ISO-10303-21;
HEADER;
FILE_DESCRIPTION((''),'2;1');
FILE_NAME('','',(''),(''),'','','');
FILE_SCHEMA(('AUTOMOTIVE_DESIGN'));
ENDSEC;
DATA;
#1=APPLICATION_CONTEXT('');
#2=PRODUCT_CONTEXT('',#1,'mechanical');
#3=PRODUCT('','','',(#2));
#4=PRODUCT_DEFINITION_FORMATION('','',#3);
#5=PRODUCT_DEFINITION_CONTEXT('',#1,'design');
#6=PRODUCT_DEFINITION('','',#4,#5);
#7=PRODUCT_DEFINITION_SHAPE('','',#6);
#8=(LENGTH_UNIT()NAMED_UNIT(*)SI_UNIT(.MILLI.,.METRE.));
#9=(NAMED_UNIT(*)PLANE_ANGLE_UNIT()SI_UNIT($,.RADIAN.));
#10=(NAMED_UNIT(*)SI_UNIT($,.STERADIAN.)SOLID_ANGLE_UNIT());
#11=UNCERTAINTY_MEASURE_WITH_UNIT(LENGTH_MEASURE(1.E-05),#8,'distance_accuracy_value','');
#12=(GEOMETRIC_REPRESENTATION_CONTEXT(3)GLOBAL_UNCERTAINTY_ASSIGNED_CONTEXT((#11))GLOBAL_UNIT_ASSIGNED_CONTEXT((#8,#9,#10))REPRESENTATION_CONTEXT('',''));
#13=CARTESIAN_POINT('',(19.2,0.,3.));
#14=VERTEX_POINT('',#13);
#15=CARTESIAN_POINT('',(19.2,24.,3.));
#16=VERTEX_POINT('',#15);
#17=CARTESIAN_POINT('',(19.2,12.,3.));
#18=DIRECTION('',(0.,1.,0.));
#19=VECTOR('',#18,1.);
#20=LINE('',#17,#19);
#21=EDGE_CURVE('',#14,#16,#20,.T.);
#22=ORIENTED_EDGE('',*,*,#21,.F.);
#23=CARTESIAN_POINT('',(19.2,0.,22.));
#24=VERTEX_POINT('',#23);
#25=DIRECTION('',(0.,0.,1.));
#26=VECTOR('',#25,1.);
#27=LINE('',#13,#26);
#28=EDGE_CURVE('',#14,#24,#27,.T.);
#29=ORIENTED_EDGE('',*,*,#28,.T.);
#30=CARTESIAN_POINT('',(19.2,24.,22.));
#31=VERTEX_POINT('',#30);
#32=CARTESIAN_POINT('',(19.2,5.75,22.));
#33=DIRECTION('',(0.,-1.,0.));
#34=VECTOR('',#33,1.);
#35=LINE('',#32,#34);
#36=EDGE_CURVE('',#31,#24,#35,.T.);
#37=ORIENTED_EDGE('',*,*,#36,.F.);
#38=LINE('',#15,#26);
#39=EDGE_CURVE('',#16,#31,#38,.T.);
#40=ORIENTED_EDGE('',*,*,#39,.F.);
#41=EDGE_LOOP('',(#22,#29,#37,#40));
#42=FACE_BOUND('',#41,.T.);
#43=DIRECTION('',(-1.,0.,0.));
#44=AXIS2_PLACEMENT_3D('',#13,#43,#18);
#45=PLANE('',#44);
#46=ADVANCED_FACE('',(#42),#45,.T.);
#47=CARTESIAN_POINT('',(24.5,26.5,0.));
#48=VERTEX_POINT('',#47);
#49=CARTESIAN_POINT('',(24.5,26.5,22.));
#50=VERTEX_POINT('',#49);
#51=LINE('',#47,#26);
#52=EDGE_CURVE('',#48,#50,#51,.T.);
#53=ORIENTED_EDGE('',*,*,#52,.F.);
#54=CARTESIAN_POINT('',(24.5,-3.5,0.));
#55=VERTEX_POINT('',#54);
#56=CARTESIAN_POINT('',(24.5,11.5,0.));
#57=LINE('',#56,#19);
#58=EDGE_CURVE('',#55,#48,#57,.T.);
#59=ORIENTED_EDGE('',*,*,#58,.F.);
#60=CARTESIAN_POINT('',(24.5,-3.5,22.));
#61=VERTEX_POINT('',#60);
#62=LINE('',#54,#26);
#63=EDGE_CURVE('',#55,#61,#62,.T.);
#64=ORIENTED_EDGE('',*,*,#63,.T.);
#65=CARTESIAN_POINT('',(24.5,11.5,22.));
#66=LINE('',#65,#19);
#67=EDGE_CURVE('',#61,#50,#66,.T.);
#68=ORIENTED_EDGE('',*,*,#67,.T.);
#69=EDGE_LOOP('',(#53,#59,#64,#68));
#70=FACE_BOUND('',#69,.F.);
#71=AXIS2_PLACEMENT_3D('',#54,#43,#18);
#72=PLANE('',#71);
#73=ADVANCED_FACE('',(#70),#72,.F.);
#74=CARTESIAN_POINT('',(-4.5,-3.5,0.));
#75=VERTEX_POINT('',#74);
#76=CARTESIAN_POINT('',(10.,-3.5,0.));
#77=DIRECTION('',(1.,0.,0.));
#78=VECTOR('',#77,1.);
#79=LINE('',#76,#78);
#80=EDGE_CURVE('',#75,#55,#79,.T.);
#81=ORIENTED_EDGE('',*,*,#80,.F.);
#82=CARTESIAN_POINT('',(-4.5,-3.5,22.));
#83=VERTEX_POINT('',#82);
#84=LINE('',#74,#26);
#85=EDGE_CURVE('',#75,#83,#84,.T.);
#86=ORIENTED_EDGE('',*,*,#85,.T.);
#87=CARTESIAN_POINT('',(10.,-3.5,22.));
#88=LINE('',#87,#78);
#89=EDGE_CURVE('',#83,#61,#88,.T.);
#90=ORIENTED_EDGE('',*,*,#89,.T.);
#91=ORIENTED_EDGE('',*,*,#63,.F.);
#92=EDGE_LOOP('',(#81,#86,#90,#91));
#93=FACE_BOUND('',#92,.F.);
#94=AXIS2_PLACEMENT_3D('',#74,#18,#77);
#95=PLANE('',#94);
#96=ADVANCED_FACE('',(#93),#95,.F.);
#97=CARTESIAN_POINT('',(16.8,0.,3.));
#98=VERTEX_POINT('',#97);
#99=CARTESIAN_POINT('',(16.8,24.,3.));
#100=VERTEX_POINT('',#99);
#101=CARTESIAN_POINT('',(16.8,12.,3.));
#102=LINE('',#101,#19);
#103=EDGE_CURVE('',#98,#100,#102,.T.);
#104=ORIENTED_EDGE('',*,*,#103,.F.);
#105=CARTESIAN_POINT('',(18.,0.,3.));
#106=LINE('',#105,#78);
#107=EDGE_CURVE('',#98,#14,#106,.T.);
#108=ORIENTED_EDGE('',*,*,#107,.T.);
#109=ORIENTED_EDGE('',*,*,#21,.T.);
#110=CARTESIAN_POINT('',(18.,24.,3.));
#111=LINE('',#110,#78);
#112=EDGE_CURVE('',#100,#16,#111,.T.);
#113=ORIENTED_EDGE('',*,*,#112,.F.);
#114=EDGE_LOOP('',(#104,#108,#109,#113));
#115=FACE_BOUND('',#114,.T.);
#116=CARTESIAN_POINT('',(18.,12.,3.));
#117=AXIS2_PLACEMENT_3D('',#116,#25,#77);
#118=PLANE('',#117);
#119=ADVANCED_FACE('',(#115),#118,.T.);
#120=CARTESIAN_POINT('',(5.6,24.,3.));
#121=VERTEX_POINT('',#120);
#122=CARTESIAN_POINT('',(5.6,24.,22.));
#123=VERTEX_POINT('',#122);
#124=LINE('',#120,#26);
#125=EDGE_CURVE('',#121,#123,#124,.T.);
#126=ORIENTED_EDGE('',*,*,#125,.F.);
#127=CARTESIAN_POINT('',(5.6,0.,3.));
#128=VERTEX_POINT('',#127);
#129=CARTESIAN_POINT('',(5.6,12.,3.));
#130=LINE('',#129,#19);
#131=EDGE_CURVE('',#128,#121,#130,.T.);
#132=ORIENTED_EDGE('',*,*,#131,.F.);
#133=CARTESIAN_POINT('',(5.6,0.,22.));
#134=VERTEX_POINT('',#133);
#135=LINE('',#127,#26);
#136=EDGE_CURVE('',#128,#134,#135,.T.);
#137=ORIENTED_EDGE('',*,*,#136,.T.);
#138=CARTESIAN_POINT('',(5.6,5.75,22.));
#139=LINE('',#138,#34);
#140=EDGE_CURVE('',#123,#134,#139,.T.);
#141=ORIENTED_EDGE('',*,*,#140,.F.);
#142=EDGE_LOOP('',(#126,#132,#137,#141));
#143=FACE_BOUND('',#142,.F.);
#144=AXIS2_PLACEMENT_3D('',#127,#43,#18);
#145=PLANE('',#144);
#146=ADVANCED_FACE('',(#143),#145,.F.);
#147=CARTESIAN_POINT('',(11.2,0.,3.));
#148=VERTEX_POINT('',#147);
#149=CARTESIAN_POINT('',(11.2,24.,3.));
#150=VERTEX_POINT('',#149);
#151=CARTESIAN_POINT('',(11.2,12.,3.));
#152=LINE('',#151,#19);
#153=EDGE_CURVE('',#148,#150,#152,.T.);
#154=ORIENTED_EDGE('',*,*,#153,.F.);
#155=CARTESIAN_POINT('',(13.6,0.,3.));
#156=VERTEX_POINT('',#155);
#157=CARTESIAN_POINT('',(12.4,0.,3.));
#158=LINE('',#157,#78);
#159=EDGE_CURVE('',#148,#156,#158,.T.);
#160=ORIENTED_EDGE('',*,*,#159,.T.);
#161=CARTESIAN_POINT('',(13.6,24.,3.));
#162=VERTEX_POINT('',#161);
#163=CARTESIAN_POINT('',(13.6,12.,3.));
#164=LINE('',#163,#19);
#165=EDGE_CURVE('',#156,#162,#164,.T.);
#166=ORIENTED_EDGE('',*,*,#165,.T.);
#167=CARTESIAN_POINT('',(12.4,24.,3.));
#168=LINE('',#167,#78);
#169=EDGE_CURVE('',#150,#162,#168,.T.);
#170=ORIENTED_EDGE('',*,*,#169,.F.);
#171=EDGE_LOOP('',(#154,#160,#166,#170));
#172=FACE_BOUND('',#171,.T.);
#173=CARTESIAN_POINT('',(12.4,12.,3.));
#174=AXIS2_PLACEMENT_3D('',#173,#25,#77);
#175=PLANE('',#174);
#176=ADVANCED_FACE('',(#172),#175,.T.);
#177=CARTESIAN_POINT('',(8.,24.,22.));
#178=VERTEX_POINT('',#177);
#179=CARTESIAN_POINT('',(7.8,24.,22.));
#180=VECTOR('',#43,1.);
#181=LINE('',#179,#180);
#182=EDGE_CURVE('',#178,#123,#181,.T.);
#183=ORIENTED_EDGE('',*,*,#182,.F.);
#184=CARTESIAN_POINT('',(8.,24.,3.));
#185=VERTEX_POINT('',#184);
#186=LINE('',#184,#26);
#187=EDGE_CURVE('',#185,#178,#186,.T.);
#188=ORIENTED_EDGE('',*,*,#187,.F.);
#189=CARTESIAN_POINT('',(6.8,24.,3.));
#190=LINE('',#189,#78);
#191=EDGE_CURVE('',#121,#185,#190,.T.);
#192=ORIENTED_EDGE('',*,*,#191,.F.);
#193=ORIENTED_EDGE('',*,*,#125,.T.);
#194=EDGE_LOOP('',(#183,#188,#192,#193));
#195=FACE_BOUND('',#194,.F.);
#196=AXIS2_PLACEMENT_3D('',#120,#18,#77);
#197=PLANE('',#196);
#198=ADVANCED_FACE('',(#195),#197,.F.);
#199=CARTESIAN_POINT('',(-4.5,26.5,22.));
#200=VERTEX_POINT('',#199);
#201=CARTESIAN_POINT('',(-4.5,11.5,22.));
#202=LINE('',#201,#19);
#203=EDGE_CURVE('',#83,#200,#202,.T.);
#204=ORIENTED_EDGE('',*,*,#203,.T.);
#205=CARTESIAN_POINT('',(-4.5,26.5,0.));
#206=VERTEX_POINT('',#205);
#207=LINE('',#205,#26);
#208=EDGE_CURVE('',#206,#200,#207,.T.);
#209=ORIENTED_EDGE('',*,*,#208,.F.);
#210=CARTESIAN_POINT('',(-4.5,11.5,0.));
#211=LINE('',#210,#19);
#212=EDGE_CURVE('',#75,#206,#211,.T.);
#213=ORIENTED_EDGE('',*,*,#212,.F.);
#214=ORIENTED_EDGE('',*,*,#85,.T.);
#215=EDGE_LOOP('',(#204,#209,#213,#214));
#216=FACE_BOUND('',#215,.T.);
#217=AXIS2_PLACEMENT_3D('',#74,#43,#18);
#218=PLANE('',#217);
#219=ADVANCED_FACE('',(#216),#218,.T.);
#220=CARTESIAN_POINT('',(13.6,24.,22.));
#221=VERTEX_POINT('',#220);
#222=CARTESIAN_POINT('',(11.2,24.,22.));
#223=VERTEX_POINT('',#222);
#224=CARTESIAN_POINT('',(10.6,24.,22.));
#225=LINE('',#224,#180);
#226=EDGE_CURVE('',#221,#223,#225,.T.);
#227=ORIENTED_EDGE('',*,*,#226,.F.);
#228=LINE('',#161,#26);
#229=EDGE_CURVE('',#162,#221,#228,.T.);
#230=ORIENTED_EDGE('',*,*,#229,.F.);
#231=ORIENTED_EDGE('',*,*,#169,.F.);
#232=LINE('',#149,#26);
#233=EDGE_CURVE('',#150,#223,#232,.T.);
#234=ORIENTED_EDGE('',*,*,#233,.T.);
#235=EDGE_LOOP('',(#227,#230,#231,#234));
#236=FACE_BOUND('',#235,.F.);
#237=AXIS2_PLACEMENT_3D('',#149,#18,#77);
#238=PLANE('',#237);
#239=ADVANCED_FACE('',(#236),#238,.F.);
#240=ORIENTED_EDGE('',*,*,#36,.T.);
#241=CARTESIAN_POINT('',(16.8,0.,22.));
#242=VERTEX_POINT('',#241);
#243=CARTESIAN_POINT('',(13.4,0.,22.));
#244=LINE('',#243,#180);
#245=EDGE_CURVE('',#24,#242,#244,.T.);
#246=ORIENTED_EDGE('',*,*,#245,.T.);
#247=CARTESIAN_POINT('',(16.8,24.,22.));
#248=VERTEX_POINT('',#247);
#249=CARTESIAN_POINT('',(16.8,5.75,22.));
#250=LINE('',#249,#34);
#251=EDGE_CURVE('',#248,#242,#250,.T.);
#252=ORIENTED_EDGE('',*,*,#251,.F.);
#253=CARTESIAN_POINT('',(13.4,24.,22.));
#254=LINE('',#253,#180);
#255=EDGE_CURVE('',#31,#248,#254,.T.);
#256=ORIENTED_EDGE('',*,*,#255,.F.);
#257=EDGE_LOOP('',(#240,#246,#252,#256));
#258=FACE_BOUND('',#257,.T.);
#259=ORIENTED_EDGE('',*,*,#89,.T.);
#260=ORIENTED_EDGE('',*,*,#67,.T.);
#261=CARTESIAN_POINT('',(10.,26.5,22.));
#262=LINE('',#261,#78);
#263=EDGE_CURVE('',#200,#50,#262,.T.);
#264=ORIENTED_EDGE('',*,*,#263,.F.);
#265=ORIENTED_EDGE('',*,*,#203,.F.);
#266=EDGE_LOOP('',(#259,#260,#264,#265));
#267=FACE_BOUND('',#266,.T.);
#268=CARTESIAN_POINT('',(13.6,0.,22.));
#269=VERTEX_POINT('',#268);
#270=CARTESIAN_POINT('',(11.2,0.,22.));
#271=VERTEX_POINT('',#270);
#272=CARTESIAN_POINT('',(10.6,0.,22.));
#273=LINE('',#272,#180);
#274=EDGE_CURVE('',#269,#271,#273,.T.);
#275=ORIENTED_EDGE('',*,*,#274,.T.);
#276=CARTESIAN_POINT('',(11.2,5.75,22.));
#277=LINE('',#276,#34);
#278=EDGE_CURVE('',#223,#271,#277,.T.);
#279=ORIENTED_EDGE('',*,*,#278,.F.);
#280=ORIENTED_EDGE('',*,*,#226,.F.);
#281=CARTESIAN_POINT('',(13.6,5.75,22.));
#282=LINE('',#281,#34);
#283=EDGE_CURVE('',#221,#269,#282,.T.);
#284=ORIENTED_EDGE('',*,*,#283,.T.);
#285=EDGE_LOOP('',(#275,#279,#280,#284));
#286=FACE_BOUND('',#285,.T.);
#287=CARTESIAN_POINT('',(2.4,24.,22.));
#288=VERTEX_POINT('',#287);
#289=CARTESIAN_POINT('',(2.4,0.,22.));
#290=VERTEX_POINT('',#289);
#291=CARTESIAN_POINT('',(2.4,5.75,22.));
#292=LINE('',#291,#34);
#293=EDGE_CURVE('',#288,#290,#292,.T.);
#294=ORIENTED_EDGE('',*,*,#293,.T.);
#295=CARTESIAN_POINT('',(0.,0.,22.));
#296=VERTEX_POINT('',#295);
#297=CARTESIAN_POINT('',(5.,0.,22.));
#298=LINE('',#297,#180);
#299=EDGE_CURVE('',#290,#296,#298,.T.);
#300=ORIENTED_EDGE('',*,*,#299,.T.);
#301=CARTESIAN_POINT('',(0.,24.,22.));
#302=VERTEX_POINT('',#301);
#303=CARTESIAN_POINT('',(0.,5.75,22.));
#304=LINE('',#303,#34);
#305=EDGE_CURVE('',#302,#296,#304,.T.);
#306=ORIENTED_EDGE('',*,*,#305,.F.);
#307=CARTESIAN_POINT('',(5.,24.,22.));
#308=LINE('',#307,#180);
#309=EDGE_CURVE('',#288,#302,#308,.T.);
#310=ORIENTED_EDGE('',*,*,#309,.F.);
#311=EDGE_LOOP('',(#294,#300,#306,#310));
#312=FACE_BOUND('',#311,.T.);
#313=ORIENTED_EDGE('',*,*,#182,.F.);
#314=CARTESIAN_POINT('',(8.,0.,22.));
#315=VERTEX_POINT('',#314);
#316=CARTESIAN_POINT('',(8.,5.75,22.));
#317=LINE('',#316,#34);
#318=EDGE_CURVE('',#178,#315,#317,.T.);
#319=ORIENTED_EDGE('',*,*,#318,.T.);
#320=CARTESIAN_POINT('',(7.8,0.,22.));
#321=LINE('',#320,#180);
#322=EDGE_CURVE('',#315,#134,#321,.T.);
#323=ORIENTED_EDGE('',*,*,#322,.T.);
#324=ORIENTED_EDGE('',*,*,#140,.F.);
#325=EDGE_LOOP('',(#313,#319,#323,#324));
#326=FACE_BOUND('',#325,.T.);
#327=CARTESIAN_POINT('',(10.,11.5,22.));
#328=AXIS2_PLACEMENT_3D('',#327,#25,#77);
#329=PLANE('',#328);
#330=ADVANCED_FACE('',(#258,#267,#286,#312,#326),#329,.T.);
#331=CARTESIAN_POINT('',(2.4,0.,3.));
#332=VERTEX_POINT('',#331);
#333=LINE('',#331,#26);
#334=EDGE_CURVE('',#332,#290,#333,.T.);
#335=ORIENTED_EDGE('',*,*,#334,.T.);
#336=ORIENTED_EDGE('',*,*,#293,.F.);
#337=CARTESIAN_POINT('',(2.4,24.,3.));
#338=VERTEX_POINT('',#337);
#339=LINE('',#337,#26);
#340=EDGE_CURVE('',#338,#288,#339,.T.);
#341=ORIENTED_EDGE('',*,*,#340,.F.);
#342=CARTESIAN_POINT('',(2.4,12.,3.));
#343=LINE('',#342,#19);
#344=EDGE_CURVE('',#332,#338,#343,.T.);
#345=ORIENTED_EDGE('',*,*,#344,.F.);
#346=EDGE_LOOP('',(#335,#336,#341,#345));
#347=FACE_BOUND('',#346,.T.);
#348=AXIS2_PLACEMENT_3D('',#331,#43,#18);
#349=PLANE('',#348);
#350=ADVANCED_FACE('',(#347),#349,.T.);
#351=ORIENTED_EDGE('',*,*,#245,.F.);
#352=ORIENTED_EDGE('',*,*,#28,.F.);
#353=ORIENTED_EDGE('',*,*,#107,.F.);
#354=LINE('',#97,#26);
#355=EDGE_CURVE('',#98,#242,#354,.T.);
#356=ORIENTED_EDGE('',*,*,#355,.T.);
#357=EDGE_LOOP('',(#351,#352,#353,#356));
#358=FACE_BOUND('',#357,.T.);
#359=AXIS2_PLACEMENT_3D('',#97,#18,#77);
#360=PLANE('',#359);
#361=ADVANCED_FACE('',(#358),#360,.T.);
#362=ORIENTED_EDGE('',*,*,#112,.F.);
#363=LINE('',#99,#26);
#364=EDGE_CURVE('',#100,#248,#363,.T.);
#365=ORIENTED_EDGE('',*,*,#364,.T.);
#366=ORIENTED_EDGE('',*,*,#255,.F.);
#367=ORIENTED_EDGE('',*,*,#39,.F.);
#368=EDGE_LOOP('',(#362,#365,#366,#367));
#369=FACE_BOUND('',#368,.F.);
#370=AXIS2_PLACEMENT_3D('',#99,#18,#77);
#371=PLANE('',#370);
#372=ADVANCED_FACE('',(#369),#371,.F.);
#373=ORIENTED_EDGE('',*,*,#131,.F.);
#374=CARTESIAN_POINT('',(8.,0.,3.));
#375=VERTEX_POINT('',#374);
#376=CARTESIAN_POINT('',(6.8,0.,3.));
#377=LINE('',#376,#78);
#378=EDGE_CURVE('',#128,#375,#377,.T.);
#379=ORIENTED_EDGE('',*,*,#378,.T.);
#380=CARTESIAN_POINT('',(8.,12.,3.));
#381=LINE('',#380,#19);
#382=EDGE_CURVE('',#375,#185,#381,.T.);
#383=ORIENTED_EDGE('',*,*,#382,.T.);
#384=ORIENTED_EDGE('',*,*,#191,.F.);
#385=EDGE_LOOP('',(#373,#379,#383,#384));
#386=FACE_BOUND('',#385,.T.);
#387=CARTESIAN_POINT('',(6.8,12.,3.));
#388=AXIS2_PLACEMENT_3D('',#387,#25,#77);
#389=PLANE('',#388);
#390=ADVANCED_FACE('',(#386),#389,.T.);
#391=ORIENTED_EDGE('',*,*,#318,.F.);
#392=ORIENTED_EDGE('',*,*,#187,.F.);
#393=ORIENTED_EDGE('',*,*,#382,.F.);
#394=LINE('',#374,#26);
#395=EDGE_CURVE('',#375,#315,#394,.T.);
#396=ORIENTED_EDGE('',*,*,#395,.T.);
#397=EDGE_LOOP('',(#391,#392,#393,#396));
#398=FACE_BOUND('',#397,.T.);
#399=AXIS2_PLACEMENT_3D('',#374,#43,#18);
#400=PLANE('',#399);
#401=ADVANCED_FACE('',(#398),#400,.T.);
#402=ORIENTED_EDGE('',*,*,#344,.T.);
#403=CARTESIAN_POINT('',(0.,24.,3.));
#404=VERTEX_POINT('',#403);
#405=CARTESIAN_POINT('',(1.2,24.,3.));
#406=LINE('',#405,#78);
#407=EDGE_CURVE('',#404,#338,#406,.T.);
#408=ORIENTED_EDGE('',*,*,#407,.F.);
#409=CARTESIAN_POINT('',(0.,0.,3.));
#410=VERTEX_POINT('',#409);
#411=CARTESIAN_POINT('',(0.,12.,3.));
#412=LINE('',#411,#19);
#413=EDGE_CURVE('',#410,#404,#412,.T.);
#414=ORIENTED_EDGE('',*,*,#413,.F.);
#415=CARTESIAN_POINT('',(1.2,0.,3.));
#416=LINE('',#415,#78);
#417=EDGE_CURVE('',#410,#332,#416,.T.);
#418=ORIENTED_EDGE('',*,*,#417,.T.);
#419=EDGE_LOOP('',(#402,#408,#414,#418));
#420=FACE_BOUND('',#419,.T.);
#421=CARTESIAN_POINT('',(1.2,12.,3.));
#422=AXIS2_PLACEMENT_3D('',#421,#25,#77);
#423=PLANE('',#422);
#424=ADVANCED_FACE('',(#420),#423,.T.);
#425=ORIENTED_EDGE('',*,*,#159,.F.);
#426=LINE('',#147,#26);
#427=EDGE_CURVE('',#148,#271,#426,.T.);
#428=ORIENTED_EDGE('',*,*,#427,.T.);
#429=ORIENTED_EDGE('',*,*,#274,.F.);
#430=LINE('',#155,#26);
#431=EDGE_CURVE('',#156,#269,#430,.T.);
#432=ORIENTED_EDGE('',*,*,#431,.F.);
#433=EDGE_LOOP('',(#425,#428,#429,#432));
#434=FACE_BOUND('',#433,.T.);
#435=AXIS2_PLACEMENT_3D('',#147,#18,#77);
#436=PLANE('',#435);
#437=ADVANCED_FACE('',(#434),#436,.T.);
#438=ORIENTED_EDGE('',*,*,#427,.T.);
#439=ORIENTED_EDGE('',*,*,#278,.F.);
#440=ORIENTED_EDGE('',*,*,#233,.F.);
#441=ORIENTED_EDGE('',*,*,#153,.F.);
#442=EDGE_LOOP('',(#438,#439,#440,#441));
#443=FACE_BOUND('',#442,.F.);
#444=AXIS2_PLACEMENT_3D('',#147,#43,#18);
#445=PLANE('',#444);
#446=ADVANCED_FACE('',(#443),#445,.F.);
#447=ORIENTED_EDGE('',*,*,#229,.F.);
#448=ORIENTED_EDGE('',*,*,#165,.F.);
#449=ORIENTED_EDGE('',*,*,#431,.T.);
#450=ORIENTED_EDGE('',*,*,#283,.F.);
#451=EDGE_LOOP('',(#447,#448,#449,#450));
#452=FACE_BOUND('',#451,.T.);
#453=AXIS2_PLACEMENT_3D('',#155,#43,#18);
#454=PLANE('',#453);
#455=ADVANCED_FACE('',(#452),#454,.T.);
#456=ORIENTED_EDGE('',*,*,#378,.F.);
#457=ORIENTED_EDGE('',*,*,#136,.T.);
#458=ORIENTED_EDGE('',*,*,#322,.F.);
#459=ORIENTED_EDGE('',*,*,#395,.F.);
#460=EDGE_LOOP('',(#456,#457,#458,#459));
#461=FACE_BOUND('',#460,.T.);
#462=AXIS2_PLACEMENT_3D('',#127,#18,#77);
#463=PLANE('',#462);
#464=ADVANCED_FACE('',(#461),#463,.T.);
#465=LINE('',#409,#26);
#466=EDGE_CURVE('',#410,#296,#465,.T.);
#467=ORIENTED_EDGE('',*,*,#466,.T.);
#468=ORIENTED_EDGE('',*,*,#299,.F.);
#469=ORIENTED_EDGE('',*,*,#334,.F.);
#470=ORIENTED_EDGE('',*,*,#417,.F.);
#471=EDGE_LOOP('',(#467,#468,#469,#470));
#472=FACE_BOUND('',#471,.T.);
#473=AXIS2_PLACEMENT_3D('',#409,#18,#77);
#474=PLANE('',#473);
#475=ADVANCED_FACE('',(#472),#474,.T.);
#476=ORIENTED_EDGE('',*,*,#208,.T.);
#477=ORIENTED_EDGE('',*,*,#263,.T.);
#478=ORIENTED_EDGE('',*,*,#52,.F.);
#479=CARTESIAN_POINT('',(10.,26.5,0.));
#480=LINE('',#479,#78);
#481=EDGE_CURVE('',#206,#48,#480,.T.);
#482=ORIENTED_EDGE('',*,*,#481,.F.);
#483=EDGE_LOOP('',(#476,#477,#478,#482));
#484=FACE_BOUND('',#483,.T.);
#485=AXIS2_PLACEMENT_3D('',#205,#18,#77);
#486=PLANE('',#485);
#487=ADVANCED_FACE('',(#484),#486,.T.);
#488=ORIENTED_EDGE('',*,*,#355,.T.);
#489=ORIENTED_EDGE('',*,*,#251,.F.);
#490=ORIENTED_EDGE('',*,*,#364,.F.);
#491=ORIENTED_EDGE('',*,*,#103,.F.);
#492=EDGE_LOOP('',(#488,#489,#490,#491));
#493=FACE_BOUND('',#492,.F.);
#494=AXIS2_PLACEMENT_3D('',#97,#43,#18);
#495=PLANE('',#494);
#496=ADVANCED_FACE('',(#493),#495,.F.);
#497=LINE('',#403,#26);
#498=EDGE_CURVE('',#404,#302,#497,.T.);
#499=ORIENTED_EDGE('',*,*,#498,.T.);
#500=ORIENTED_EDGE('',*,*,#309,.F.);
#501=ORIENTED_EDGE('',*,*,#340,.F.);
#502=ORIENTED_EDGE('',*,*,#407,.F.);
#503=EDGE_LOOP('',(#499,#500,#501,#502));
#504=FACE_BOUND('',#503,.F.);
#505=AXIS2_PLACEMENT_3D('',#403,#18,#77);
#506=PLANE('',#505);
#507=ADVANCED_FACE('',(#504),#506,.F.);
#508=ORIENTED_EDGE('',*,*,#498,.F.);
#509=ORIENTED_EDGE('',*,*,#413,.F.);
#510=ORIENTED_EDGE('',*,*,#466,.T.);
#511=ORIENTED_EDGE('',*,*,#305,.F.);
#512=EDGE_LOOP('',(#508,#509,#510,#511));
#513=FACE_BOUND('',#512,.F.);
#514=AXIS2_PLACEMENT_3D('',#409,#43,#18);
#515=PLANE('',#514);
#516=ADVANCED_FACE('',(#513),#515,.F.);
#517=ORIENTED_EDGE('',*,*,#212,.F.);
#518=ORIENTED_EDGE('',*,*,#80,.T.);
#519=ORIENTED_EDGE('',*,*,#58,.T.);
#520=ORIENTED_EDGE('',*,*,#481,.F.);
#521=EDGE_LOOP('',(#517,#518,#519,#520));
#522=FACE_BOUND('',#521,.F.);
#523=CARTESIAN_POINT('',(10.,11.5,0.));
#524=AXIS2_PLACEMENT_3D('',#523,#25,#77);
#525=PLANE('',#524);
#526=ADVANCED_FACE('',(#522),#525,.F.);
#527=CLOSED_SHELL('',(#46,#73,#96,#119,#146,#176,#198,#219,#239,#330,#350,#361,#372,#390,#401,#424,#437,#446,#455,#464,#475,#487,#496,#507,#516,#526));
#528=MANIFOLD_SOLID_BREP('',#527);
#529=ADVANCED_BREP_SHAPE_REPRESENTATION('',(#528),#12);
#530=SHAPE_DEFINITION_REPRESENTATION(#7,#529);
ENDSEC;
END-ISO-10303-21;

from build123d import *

# Parameters (mm, degrees)
BOX001_W     = 2.4
BOX001_H     = 24
BOX001_DEPTH = 22
BOX002_W     = 2.4
BOX002_H     = 24
BOX002_DEPTH = 22
BOX003_W     = 2.4
BOX003_H     = 24
BOX003_DEPTH = 22
BOX_W        = 2.4
BOX_H        = 24
BOX_DEPTH    = 22
BOX004_W     = 29
BOX004_H     = 30
BOX004_DEPTH = 22


with BuildPart() as ranura2:
    # Box001 → Box001 (new body)
    with BuildSketch(Plane(origin=(5.6, 0, 0), x_dir=(1, 0, 0), z_dir=(0, 0, 1))):
        with Locations((1.2, 12)):
            Rectangle(BOX001_W, BOX001_H)
    extrude(amount=BOX001_DEPTH)


with BuildPart() as ranura3:
    # Box002 → Box002 (new body)
    with BuildSketch(Plane(origin=(11.2, 0, 0), x_dir=(1, 0, 0), z_dir=(0, 0, 1))):
        with Locations((1.2, 12)):
            Rectangle(BOX002_W, BOX002_H)
    extrude(amount=BOX002_DEPTH)


with BuildPart() as ranura4:
    # Box003 → Box003 (new body)
    with BuildSketch(Plane(origin=(16.8, 0, 0), x_dir=(1, 0, 0), z_dir=(0, 0, 1))):
        with Locations((1.2, 12)):
            Rectangle(BOX003_W, BOX003_H)
    extrude(amount=BOX003_DEPTH)


with BuildPart() as ranuras:
    # Box → Box (new body)
    with BuildSketch(Plane.XY):
        with Locations((1.2, 12)):
            Rectangle(BOX_W, BOX_H)
    extrude(amount=BOX_DEPTH)

    # Fusion: union ranura2, ranura3, ranura4
    add(ranura2.part)
    add(ranura3.part)
    add(ranura4.part)


with BuildPart() as ranuras_1:
    # Fusion placement: moved
    add(ranuras.part.moved(Location((0, 0, 3))))


with BuildPart() as cut:
    # Box004 → Box004 (new body)
    with BuildSketch(Plane(origin=(-4.5, -3.5, 0), x_dir=(1, 0, 0), z_dir=(0, 0, 1))):
        with Locations((14.5, 15)):
            Rectangle(BOX004_W, BOX004_H)
    extrude(amount=BOX004_DEPTH)

    # Cut: cut ranuras
    add(ranuras_1.part, mode=Mode.SUBTRACT)


solid = cut.part
